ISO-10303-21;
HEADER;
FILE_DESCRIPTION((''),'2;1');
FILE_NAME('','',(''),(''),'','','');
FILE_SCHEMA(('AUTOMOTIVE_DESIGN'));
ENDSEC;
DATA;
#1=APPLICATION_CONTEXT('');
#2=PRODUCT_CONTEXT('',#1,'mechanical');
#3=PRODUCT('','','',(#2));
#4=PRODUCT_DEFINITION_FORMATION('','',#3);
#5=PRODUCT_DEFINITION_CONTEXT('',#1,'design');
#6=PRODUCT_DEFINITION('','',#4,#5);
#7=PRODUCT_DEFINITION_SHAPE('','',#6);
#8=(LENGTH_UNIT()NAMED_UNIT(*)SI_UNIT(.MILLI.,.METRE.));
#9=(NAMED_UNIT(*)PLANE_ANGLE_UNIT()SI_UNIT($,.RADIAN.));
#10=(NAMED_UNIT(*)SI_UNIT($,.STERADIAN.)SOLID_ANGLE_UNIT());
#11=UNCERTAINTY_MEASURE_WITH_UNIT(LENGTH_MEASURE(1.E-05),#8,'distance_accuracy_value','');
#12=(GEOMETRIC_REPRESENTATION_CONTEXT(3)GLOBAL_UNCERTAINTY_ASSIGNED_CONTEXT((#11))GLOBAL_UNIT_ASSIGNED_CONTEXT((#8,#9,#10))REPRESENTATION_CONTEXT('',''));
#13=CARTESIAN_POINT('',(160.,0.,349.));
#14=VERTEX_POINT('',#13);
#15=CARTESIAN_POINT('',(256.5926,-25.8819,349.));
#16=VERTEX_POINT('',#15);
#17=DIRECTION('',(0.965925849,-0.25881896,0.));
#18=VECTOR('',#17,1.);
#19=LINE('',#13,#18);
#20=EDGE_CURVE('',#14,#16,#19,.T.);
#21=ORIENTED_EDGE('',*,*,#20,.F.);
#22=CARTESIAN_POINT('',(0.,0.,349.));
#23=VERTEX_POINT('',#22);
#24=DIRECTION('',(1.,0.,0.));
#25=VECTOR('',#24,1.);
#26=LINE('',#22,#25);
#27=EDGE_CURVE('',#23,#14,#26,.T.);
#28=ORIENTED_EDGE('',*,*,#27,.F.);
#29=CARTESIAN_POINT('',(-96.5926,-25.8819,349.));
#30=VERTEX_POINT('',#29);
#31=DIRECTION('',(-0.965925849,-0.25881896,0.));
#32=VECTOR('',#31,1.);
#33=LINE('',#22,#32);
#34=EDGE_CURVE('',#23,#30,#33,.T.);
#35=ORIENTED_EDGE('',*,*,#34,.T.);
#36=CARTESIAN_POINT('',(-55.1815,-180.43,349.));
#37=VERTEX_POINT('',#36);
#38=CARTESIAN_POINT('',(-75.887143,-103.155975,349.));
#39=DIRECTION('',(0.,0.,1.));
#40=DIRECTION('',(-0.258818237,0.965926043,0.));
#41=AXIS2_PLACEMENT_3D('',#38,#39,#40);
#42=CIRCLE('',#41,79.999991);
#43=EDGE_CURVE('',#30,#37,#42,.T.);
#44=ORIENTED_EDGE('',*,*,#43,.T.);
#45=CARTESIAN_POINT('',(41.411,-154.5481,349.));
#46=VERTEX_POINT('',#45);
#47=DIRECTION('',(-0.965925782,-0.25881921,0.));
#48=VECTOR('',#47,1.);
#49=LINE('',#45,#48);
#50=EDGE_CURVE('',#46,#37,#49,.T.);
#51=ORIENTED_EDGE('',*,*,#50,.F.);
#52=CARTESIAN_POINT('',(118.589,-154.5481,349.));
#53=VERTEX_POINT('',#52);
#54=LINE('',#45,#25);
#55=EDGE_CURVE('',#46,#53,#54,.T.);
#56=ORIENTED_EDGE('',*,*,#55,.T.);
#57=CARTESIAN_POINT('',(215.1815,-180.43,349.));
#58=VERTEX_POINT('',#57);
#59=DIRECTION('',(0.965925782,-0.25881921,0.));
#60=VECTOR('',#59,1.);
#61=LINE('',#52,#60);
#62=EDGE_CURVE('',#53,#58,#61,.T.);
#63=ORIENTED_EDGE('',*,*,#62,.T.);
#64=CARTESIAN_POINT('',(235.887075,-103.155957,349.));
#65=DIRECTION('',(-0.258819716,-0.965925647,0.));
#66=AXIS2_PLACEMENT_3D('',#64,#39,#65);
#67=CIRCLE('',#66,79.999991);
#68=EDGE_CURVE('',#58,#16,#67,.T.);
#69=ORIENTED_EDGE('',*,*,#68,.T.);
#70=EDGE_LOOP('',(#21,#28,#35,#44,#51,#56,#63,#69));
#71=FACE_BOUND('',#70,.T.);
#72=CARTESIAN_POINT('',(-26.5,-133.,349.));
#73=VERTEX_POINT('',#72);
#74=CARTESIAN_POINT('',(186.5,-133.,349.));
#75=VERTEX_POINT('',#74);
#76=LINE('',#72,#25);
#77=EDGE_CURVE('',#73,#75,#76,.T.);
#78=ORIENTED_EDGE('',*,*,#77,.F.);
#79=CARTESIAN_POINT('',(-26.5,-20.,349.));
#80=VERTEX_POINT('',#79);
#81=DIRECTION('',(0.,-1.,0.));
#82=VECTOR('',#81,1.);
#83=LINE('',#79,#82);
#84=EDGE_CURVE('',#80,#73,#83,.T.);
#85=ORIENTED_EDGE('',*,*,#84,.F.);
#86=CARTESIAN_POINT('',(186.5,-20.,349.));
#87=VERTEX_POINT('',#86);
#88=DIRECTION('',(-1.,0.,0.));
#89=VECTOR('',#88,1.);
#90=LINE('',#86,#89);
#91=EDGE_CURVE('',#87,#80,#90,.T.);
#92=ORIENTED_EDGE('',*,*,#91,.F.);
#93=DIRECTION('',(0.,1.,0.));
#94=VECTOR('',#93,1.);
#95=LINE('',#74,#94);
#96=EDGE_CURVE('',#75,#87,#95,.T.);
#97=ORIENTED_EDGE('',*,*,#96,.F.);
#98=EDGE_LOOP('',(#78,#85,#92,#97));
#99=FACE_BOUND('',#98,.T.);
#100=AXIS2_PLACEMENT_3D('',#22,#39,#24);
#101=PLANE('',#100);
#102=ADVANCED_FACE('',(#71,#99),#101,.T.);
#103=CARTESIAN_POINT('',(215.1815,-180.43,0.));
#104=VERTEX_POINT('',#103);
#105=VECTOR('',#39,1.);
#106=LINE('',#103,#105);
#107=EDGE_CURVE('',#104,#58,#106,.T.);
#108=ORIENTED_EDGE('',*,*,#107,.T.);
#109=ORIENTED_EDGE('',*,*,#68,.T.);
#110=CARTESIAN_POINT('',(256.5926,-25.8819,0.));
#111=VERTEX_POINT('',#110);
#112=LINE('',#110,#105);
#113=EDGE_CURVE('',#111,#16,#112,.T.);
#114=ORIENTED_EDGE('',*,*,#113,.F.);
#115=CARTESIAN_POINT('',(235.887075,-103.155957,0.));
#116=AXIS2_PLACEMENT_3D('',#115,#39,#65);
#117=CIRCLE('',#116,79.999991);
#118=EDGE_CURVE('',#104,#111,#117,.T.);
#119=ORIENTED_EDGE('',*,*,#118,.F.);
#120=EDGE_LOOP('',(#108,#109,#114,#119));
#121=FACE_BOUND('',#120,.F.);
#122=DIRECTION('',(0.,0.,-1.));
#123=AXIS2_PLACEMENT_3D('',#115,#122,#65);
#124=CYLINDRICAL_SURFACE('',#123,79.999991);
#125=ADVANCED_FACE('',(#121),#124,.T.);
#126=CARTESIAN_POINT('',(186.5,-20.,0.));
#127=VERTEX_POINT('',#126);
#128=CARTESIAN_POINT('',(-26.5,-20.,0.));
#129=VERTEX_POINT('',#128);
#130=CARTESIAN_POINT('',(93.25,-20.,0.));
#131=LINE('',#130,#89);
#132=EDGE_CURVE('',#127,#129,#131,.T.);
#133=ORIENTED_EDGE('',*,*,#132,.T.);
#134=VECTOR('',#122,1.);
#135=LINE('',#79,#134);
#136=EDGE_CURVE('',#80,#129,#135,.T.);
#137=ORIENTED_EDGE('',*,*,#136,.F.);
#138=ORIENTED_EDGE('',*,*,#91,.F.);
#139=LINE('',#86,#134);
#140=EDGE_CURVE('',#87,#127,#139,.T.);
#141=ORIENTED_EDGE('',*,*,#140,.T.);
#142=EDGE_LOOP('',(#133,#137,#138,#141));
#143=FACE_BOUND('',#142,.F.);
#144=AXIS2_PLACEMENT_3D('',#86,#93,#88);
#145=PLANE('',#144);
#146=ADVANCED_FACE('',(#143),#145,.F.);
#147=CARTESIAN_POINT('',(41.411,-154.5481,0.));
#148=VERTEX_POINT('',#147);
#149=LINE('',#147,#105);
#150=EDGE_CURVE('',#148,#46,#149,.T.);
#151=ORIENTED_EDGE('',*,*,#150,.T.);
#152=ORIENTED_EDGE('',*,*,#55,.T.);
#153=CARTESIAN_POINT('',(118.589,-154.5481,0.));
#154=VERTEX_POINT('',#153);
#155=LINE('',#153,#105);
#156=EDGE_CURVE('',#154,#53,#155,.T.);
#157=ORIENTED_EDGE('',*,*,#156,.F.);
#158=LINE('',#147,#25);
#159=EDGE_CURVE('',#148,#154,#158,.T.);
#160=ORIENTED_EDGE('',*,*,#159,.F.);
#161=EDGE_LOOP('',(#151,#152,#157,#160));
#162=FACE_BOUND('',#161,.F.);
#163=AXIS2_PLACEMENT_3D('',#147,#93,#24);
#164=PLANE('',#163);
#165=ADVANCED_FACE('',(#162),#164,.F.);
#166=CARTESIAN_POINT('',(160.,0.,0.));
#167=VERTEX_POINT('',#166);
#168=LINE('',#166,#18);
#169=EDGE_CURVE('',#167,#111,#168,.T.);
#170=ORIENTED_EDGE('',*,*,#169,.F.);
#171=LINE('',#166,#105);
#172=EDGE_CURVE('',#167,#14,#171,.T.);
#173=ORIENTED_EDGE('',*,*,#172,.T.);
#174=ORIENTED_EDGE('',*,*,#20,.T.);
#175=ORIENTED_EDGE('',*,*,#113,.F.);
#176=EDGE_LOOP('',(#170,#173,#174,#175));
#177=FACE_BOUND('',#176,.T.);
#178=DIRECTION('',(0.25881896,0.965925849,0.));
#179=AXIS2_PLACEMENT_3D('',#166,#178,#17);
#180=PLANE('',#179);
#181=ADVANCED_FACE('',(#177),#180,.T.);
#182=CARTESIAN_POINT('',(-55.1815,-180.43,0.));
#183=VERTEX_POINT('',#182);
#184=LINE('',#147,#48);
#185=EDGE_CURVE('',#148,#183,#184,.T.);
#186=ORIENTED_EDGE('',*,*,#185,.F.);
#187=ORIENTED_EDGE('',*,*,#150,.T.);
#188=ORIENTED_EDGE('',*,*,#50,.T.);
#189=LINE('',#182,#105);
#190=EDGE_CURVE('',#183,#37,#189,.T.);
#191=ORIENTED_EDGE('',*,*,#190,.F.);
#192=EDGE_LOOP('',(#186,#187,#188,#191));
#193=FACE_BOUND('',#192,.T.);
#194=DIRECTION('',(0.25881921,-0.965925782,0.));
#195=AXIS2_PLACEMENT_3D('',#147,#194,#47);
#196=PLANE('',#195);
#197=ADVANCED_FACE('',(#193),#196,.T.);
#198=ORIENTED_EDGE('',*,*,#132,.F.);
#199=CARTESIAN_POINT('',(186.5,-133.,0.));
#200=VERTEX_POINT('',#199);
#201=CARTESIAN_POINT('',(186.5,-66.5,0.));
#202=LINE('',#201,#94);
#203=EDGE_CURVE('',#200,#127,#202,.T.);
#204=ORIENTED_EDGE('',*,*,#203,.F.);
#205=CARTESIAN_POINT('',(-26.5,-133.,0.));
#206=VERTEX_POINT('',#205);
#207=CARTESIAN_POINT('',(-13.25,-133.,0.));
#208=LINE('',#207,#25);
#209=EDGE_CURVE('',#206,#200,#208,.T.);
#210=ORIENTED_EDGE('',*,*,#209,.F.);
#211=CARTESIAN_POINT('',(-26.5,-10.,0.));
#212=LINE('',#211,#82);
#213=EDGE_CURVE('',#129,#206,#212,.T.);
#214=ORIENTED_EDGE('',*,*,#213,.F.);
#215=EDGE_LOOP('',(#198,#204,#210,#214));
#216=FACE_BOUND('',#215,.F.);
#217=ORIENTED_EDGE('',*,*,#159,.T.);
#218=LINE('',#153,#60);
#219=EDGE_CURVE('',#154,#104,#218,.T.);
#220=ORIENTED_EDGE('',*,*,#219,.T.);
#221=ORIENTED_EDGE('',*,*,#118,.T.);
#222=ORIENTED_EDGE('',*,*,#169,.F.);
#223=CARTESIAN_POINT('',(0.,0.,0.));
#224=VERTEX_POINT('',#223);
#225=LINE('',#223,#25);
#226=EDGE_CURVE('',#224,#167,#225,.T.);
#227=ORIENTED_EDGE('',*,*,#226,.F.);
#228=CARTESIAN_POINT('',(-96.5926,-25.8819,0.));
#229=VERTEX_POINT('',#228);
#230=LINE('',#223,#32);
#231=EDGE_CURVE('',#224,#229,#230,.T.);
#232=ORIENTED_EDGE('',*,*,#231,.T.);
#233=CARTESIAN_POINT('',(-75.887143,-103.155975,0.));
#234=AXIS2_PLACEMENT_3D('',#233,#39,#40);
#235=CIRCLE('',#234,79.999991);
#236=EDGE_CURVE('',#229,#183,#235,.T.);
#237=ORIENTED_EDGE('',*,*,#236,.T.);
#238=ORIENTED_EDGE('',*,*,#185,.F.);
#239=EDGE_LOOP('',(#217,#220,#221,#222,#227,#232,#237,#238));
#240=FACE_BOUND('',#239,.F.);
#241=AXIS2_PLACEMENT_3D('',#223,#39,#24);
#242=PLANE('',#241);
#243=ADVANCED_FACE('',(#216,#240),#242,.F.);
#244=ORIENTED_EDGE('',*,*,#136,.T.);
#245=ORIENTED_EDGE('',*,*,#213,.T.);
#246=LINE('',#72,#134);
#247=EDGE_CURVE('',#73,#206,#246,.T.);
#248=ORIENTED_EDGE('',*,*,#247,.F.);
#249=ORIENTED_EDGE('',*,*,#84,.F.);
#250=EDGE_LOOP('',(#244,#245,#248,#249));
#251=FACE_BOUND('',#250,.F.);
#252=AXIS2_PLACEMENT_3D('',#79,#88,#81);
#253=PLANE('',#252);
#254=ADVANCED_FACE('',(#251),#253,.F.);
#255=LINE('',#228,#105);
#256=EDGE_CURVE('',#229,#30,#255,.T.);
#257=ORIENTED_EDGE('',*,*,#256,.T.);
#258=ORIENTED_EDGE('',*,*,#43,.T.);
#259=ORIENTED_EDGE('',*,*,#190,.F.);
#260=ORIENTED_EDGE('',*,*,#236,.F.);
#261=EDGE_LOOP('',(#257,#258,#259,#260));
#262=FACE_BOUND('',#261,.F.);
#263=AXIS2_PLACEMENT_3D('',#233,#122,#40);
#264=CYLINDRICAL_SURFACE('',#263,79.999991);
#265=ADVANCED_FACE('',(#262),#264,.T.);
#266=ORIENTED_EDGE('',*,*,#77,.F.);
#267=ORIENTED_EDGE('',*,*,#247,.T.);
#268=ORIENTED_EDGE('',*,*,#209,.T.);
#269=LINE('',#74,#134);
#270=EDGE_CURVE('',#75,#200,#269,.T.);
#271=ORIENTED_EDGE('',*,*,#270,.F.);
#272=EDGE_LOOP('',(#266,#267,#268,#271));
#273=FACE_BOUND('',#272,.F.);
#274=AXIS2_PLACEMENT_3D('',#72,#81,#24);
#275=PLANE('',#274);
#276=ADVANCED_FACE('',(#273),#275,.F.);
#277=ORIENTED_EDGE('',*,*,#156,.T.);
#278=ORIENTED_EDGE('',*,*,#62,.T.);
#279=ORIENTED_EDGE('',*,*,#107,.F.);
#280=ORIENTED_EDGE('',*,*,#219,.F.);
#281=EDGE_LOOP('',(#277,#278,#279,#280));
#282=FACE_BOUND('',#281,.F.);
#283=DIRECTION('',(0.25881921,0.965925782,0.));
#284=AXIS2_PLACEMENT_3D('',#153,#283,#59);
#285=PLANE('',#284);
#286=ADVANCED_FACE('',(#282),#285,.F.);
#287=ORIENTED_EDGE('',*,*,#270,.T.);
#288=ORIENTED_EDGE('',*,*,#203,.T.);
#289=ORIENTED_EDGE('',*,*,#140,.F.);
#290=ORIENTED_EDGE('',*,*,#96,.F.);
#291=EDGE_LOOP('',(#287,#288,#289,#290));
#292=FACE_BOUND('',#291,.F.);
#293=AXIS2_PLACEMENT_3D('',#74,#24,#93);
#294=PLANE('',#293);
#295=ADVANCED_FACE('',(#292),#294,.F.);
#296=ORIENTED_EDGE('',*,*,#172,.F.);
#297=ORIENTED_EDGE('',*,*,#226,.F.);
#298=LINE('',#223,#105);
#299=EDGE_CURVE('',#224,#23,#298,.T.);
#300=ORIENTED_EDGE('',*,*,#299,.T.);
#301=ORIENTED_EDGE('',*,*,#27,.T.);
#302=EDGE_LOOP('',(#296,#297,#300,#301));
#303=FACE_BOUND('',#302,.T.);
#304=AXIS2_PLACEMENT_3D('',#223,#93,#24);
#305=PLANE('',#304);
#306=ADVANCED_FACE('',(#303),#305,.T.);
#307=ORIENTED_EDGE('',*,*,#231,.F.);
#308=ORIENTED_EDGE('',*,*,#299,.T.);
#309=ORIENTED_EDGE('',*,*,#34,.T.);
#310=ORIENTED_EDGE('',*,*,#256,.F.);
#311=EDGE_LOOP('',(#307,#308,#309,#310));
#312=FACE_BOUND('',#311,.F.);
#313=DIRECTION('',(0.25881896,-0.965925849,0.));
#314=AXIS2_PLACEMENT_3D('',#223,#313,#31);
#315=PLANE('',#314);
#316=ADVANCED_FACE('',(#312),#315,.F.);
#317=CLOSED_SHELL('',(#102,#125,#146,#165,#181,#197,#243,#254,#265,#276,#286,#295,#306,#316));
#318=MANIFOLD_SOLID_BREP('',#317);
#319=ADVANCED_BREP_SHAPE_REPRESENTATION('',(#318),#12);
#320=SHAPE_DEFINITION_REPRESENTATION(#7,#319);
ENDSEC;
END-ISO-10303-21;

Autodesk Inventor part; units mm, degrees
ref_plane "YZ Plane" through (0, 0, 0) normal (1, 0, 0) x (0, 1, 0)
ref_plane "XZ Plane" through (0, 0, 0) normal (0, 1, 0) x (-1, 0, 0)
ref_plane "XY Plane" through (0, 0, 0) normal (0, 0, 1) x (1, 0, 0)
sketch "Sketch1" plane through (0, 0, 0) normal (0, 0, 1) x (1, 0, 0)
  line L0 (0, 0) -> (160, 0)
  line L1 (160, 0) -> (118.589, -154.5481) construction
  line L2 (0, 0) -> (41.411, -154.5481) construction
  line L3 (41.411, -154.5481) -> (118.589, -154.5481)
  circle A0 centre (235.8871, -103.156) radius 80 construction
  line L4 (160, 0) -> (256.5926, -25.8819)
  line L5 (118.589, -154.5481) -> (215.1815, -180.43)
  arc A1 (215.1815, -180.43) -> (256.5926, -25.8819) centre (235.8871, -103.156) ccw
  circle A2 centre (-75.8871, -103.156) radius 80 construction
  line L6 (0, 0) -> (-96.5926, -25.8819)
  line L7 (41.411, -154.5481) -> (-55.1815, -180.43)
  arc A3 (-96.5926, -25.8819) -> (-55.1815, -180.43) centre (-75.8871, -103.156) ccw
  dimension "d0" = 160
  dimension "d1" = 160
  dimension "d2" = 160
  dimension "d3" = 75
  dimension "d4" = 75
  dimension "d5" = 160
  dimension "d6" = 100
  dimension "d7" = 160
  dimension "d9" = 100
extrude "Extrusion1" add sketch "Sketch1" along normal blind 349
sketch "Sketch2" plane through (0, 0, 349) normal (0, 0, 1) x (1, 0, 0)
  line L0 (-26.5, -133) -> (186.5, -133)
  line L1 (186.5, -133) -> (186.5, -20)
  line L2 (186.5, -20) -> (-26.5, -20)
  line L3 (-26.5, -20) -> (-26.5, -133)
  line L4 (160, 0) -> (0, 0) projected
  point P0 (80, -20)
  point P1 (80, 0)
  dimension "d12" = 213
  dimension "d13" = 113
  dimension "d14" = 20
extrude "Extrusion2" cut sketch "Sketch2" against normal through all
properties part number "Riser Base" material "ABS Plastic"
